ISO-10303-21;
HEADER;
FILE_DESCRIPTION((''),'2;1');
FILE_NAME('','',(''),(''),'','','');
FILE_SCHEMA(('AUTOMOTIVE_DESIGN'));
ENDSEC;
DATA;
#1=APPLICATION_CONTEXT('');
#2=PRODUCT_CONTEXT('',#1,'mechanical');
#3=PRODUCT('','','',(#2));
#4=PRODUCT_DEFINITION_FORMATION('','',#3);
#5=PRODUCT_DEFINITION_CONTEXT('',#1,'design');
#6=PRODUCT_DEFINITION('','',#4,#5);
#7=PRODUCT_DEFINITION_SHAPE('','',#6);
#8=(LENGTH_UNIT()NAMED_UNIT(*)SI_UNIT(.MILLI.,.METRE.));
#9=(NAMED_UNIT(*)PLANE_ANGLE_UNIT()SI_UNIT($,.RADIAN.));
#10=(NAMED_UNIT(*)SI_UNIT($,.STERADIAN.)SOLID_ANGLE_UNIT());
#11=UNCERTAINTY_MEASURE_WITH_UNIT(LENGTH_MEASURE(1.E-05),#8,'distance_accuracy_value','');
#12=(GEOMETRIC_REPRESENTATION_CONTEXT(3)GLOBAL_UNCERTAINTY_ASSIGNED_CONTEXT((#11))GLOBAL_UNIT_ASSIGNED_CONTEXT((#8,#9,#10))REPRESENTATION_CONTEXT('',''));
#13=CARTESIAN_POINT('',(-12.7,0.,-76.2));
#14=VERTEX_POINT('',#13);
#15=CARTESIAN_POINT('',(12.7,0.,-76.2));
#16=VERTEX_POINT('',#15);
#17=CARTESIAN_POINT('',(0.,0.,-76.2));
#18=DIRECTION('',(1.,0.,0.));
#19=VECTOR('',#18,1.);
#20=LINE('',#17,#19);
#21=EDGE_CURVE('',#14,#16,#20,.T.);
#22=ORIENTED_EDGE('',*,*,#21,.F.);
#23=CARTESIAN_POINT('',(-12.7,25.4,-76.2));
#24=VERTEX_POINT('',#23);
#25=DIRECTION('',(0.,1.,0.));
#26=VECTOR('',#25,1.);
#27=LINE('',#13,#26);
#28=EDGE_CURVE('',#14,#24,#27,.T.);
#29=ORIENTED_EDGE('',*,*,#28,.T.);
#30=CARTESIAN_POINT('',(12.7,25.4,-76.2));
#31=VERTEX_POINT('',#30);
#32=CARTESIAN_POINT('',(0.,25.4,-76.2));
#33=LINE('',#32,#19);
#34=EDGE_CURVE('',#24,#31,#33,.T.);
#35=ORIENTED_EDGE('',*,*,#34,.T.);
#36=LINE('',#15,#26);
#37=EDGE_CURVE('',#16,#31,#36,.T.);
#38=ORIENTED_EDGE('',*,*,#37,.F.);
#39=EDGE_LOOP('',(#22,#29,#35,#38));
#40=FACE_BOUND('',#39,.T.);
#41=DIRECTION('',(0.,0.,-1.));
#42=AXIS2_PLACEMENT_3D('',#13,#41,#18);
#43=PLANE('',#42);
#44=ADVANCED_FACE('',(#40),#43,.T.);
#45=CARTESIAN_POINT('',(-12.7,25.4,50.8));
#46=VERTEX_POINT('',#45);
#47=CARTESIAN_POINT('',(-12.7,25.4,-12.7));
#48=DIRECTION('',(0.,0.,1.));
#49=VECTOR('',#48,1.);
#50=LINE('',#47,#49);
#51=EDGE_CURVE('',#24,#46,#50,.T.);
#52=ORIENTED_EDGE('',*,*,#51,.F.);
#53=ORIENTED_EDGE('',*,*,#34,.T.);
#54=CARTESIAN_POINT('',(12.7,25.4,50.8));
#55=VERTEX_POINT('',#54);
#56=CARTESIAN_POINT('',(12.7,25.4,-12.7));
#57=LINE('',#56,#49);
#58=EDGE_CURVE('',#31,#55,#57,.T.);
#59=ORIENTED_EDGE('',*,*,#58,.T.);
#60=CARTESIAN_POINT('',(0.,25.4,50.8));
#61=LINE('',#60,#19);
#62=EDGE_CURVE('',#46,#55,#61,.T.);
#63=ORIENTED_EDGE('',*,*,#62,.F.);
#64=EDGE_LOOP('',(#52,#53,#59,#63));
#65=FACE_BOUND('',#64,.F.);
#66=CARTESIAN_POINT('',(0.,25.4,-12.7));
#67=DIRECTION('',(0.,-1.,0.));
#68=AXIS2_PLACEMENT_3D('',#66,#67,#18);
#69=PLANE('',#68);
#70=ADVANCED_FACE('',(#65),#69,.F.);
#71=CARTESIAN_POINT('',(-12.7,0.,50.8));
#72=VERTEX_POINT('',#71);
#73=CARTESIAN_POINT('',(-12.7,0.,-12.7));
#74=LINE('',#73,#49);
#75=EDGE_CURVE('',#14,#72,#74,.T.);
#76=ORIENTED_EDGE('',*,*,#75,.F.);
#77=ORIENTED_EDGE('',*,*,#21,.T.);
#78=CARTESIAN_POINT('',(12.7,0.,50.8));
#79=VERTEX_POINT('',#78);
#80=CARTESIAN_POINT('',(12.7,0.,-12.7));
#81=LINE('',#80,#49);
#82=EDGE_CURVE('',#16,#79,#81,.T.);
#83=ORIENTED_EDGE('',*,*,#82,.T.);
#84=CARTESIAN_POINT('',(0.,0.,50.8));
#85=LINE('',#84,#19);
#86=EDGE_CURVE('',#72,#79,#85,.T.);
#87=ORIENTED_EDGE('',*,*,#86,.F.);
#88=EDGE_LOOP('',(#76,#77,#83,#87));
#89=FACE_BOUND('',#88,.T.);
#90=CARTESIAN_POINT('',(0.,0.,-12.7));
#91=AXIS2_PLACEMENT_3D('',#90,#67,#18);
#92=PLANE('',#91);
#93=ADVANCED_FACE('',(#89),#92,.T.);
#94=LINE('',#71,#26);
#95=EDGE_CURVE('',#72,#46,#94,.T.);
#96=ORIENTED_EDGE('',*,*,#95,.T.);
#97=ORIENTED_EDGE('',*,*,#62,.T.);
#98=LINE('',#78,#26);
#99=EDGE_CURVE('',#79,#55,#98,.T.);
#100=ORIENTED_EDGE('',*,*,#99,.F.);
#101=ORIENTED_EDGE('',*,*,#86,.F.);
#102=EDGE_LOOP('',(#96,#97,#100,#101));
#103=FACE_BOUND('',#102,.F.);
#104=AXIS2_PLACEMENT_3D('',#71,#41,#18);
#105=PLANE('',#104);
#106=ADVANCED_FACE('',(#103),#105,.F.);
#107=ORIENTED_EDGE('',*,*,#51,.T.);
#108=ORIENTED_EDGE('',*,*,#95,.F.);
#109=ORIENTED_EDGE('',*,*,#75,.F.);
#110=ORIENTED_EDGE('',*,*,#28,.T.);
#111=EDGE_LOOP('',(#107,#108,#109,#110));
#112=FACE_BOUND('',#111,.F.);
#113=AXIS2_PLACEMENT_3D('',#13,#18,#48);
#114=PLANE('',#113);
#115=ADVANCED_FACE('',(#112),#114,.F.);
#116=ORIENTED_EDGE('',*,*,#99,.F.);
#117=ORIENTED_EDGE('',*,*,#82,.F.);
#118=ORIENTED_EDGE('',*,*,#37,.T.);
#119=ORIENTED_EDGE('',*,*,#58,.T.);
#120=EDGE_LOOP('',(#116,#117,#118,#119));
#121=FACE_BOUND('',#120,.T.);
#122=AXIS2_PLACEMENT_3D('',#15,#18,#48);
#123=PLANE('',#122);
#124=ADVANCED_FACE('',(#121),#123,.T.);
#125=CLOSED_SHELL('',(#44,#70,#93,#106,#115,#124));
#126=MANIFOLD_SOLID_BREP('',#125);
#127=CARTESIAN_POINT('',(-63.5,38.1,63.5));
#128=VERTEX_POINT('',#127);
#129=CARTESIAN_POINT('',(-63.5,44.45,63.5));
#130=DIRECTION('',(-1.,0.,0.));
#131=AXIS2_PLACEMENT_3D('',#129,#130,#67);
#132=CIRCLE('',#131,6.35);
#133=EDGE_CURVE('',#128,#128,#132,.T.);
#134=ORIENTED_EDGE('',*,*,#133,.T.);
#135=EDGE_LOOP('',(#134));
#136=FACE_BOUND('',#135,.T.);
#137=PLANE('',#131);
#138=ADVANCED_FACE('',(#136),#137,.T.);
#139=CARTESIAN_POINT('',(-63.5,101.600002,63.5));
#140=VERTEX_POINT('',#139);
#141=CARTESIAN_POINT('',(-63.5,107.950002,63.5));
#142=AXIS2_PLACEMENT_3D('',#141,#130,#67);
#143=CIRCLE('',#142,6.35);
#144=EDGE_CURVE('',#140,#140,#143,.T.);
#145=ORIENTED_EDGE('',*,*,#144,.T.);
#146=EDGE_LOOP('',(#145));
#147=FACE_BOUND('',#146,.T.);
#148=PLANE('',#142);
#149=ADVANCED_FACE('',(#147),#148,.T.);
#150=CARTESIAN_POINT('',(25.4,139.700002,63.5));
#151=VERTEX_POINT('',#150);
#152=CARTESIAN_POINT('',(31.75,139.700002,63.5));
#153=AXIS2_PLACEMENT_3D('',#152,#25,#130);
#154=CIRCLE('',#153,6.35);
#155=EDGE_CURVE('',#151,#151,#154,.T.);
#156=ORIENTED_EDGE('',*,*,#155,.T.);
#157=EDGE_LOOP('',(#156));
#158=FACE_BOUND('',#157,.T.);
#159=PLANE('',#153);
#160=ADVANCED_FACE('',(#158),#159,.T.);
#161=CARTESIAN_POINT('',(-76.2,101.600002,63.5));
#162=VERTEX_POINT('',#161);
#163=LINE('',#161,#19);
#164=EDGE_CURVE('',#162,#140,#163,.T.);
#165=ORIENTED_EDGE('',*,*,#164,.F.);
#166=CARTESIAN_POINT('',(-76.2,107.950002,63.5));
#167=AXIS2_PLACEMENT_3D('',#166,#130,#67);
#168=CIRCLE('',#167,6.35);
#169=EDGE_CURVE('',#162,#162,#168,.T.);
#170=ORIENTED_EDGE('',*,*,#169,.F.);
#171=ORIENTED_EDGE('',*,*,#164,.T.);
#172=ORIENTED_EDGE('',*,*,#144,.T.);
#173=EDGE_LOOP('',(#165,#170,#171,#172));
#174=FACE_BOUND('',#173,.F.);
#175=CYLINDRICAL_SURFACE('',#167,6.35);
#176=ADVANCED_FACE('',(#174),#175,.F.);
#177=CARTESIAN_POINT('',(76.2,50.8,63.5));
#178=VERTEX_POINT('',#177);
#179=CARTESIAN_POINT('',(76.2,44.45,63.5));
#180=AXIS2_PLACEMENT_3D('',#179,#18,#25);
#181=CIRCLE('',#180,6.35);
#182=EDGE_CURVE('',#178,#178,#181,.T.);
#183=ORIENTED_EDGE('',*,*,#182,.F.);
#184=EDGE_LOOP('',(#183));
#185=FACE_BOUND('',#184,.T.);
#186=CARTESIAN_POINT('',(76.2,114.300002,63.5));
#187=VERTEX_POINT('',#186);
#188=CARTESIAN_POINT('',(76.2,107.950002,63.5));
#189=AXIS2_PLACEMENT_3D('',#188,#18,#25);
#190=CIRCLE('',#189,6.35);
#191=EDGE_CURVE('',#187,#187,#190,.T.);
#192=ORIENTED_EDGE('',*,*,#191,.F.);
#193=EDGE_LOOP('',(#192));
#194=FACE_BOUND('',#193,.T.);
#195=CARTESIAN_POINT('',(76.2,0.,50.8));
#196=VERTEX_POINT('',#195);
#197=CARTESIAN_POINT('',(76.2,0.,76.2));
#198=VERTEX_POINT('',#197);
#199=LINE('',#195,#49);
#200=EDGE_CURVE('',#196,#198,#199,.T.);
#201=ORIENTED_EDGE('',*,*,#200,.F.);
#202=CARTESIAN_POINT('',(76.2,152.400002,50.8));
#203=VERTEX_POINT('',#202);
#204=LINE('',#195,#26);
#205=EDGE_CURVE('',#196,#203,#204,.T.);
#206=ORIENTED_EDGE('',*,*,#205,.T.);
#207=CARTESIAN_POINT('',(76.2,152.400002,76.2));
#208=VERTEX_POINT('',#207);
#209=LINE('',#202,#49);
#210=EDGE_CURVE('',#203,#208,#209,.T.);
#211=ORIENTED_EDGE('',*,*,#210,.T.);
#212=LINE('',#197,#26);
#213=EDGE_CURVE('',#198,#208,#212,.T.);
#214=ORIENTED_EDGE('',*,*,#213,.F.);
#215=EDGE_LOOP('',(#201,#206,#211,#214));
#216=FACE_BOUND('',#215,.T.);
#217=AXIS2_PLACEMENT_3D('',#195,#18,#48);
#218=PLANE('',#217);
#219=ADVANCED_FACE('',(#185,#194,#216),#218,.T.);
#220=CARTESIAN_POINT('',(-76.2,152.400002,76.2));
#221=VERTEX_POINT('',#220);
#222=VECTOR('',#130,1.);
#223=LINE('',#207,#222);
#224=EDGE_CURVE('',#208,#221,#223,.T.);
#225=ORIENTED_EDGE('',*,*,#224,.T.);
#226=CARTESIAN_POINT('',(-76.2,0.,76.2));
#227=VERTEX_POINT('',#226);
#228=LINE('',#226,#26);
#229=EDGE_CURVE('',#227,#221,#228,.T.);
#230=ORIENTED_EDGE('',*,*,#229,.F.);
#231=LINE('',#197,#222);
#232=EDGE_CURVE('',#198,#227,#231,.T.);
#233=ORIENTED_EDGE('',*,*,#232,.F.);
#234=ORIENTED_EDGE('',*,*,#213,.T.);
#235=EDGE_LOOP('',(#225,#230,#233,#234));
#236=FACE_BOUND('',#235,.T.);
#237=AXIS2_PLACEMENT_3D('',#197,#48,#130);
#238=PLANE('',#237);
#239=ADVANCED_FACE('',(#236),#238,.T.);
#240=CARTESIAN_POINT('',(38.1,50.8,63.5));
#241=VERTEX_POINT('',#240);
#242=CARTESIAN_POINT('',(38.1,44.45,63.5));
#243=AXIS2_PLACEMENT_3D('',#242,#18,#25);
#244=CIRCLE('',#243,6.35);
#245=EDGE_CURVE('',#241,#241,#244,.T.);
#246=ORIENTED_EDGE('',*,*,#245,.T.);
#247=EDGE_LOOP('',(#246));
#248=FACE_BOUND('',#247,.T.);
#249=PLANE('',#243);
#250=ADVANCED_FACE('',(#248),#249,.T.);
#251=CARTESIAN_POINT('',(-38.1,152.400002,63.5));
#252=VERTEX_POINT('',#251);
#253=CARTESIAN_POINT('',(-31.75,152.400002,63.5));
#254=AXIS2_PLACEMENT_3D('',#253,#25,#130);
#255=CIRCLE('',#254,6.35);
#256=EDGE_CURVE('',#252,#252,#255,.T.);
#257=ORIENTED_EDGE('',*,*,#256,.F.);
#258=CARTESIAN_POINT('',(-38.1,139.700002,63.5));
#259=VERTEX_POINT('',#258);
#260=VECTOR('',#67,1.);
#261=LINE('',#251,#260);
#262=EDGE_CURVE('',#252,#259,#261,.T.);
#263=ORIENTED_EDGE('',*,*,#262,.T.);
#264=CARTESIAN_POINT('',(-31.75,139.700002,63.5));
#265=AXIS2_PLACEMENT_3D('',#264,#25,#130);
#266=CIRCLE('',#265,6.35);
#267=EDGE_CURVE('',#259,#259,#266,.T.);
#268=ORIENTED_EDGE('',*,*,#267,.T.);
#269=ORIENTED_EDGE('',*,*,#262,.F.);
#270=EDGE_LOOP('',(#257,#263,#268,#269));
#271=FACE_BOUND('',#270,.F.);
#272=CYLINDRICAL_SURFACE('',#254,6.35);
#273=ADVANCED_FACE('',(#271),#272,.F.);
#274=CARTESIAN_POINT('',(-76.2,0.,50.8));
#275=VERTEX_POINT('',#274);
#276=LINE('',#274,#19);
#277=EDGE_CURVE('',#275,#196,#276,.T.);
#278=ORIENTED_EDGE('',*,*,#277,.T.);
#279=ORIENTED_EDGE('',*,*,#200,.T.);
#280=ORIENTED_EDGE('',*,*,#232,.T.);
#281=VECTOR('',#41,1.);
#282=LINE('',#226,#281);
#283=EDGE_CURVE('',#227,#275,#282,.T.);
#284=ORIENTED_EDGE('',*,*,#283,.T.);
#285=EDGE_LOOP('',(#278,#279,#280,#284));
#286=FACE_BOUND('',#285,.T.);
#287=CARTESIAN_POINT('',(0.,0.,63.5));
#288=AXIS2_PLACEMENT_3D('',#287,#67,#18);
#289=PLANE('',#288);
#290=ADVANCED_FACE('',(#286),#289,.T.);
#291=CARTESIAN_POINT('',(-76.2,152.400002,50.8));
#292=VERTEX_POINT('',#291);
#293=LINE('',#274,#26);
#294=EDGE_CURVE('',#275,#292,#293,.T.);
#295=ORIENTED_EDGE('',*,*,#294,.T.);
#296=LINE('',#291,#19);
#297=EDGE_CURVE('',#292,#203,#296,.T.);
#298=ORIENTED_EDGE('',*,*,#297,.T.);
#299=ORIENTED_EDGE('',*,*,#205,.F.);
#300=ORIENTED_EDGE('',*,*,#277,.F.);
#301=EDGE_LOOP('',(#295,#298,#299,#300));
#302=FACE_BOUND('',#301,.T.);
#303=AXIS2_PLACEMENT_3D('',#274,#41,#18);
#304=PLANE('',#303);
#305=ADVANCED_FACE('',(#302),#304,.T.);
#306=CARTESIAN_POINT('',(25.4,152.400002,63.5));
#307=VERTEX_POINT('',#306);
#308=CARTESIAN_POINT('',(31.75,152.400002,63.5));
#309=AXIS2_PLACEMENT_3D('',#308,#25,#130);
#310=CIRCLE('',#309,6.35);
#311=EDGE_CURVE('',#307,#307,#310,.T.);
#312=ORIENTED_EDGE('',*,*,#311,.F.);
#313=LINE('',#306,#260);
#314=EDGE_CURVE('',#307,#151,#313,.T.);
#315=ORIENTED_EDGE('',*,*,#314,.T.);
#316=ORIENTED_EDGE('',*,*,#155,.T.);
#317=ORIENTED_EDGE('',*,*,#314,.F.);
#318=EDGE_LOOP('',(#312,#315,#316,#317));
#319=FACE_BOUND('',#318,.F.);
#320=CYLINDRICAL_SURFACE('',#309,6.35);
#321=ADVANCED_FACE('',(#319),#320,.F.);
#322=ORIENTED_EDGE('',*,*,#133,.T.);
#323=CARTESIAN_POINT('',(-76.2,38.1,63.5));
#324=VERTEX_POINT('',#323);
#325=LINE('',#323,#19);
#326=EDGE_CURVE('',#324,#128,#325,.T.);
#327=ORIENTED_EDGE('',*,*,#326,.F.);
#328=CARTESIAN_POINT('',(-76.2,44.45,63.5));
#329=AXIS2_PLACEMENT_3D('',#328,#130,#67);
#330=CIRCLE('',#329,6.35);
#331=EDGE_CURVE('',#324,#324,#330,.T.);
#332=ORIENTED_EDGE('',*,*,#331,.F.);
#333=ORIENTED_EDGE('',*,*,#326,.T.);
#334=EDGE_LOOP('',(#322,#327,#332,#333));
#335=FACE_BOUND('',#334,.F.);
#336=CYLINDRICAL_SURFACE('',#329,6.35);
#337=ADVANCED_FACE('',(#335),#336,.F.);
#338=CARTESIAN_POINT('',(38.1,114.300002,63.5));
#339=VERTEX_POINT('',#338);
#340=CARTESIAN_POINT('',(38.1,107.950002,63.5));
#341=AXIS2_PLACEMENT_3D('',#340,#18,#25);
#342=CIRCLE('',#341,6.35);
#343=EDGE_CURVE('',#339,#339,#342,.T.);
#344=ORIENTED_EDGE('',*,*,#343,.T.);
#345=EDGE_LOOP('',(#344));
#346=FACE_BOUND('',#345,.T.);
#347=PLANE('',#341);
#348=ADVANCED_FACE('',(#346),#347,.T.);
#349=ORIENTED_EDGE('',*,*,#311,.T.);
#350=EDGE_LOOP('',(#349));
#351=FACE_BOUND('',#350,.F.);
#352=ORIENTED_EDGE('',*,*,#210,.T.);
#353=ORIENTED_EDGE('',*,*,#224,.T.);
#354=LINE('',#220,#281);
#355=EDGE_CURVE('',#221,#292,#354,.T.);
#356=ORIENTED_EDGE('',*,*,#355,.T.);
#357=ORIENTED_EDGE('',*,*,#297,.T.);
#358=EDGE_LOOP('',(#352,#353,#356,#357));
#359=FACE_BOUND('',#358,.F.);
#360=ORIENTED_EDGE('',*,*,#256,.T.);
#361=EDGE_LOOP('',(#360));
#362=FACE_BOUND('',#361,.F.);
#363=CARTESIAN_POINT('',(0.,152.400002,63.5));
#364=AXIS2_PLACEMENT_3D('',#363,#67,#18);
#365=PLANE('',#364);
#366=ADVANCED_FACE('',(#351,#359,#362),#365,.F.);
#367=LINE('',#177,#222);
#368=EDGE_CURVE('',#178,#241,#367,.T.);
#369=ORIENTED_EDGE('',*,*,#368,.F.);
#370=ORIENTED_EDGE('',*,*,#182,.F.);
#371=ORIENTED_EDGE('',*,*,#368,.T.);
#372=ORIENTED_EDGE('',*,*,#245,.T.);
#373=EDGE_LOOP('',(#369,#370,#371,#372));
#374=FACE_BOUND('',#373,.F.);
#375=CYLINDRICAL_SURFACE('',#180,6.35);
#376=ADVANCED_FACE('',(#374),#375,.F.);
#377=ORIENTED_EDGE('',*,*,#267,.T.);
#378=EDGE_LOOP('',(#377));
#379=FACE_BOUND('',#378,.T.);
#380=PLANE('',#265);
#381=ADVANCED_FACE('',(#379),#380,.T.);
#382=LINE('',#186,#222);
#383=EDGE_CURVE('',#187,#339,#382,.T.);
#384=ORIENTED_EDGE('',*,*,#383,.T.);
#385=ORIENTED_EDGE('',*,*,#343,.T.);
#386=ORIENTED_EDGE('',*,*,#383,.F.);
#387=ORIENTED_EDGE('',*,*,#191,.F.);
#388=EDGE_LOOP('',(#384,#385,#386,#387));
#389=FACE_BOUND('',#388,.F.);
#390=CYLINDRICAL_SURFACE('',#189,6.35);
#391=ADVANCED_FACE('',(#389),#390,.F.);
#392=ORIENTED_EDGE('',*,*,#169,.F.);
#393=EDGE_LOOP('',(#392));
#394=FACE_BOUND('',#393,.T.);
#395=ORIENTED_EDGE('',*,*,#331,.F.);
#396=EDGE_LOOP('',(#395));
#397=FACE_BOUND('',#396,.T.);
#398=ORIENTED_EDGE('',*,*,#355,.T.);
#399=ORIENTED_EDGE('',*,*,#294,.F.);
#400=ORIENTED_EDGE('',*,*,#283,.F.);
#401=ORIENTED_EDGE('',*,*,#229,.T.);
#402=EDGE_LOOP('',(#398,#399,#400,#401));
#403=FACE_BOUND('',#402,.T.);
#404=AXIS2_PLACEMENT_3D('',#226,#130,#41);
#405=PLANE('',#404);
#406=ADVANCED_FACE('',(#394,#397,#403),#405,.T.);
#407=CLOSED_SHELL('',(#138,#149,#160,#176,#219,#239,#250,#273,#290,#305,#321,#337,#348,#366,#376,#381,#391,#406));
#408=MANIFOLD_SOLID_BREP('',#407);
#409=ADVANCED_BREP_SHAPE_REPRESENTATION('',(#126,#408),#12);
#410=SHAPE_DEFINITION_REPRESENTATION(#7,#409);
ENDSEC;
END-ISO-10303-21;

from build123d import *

# Parameters (mm, degrees)
F1_DEPTH = 152.400002
F0_W     = 25.4
F0_H     = 127
F2_DEPTH = 25.4
F3_R     = 6.35
F4_DEPTH = 12.7
F5_R     = 6.35
F6_DEPTH = 12.7
F7_R     = 6.35
F8_DEPTH = 38.1


with BuildPart() as f1:
    # F0 (on Front) → F1 (new body)
    with BuildSketch(Plane.XZ):
        Polygon((12.7, 76.2), (-12.7, 76.2), (-76.2, 76.2), (-76.2, 50.8), (-12.7, 50.8), (12.7, 50.8), (76.2, 50.8), (76.2, 76.2), align=None)
    extrude(amount=-F1_DEPTH)

    # F3 (on face) → F4 (cut)
    with BuildSketch(Plane(origin=(-76.2, 0, 0), x_dir=(0, -1, 0), z_dir=(-1, 0, 0))):
        with Locations((-107.950002, 63.5)):
            Circle(F3_R)
        with Locations((-44.45, 63.5)):
            Circle(F3_R)
    extrude(amount=-F4_DEPTH, mode=Mode.SUBTRACT)

    # F5 (on face) → F6 (cut)
    with BuildSketch(Plane(origin=(0, 152.400002, 0), x_dir=(-1, 0, 0), z_dir=(0, 1, 0))):
        with Locations((-31.75, 63.5)):
            Circle(F5_R)
        with Locations((31.75, 63.5)):
            Circle(F5_R)
    extrude(amount=-F6_DEPTH, mode=Mode.SUBTRACT)

    # F7 (on face) → F8 (cut)
    with BuildSketch(Plane.YZ.offset(76.2)):
        with Locations((44.45, 63.5)):
            Circle(F7_R)
        with Locations((107.950002, 63.5)):
            Circle(F7_R)
    extrude(amount=-F8_DEPTH, mode=Mode.SUBTRACT)


with BuildPart() as f2:
    # F0 (on Front) → F2 (new body)
    with BuildSketch(Plane.XZ):
        with Locations((0, -12.7)):
            Rectangle(F0_W, F0_H)
    extrude(amount=-F2_DEPTH)


solid = Compound([f1.part, f2.part])
